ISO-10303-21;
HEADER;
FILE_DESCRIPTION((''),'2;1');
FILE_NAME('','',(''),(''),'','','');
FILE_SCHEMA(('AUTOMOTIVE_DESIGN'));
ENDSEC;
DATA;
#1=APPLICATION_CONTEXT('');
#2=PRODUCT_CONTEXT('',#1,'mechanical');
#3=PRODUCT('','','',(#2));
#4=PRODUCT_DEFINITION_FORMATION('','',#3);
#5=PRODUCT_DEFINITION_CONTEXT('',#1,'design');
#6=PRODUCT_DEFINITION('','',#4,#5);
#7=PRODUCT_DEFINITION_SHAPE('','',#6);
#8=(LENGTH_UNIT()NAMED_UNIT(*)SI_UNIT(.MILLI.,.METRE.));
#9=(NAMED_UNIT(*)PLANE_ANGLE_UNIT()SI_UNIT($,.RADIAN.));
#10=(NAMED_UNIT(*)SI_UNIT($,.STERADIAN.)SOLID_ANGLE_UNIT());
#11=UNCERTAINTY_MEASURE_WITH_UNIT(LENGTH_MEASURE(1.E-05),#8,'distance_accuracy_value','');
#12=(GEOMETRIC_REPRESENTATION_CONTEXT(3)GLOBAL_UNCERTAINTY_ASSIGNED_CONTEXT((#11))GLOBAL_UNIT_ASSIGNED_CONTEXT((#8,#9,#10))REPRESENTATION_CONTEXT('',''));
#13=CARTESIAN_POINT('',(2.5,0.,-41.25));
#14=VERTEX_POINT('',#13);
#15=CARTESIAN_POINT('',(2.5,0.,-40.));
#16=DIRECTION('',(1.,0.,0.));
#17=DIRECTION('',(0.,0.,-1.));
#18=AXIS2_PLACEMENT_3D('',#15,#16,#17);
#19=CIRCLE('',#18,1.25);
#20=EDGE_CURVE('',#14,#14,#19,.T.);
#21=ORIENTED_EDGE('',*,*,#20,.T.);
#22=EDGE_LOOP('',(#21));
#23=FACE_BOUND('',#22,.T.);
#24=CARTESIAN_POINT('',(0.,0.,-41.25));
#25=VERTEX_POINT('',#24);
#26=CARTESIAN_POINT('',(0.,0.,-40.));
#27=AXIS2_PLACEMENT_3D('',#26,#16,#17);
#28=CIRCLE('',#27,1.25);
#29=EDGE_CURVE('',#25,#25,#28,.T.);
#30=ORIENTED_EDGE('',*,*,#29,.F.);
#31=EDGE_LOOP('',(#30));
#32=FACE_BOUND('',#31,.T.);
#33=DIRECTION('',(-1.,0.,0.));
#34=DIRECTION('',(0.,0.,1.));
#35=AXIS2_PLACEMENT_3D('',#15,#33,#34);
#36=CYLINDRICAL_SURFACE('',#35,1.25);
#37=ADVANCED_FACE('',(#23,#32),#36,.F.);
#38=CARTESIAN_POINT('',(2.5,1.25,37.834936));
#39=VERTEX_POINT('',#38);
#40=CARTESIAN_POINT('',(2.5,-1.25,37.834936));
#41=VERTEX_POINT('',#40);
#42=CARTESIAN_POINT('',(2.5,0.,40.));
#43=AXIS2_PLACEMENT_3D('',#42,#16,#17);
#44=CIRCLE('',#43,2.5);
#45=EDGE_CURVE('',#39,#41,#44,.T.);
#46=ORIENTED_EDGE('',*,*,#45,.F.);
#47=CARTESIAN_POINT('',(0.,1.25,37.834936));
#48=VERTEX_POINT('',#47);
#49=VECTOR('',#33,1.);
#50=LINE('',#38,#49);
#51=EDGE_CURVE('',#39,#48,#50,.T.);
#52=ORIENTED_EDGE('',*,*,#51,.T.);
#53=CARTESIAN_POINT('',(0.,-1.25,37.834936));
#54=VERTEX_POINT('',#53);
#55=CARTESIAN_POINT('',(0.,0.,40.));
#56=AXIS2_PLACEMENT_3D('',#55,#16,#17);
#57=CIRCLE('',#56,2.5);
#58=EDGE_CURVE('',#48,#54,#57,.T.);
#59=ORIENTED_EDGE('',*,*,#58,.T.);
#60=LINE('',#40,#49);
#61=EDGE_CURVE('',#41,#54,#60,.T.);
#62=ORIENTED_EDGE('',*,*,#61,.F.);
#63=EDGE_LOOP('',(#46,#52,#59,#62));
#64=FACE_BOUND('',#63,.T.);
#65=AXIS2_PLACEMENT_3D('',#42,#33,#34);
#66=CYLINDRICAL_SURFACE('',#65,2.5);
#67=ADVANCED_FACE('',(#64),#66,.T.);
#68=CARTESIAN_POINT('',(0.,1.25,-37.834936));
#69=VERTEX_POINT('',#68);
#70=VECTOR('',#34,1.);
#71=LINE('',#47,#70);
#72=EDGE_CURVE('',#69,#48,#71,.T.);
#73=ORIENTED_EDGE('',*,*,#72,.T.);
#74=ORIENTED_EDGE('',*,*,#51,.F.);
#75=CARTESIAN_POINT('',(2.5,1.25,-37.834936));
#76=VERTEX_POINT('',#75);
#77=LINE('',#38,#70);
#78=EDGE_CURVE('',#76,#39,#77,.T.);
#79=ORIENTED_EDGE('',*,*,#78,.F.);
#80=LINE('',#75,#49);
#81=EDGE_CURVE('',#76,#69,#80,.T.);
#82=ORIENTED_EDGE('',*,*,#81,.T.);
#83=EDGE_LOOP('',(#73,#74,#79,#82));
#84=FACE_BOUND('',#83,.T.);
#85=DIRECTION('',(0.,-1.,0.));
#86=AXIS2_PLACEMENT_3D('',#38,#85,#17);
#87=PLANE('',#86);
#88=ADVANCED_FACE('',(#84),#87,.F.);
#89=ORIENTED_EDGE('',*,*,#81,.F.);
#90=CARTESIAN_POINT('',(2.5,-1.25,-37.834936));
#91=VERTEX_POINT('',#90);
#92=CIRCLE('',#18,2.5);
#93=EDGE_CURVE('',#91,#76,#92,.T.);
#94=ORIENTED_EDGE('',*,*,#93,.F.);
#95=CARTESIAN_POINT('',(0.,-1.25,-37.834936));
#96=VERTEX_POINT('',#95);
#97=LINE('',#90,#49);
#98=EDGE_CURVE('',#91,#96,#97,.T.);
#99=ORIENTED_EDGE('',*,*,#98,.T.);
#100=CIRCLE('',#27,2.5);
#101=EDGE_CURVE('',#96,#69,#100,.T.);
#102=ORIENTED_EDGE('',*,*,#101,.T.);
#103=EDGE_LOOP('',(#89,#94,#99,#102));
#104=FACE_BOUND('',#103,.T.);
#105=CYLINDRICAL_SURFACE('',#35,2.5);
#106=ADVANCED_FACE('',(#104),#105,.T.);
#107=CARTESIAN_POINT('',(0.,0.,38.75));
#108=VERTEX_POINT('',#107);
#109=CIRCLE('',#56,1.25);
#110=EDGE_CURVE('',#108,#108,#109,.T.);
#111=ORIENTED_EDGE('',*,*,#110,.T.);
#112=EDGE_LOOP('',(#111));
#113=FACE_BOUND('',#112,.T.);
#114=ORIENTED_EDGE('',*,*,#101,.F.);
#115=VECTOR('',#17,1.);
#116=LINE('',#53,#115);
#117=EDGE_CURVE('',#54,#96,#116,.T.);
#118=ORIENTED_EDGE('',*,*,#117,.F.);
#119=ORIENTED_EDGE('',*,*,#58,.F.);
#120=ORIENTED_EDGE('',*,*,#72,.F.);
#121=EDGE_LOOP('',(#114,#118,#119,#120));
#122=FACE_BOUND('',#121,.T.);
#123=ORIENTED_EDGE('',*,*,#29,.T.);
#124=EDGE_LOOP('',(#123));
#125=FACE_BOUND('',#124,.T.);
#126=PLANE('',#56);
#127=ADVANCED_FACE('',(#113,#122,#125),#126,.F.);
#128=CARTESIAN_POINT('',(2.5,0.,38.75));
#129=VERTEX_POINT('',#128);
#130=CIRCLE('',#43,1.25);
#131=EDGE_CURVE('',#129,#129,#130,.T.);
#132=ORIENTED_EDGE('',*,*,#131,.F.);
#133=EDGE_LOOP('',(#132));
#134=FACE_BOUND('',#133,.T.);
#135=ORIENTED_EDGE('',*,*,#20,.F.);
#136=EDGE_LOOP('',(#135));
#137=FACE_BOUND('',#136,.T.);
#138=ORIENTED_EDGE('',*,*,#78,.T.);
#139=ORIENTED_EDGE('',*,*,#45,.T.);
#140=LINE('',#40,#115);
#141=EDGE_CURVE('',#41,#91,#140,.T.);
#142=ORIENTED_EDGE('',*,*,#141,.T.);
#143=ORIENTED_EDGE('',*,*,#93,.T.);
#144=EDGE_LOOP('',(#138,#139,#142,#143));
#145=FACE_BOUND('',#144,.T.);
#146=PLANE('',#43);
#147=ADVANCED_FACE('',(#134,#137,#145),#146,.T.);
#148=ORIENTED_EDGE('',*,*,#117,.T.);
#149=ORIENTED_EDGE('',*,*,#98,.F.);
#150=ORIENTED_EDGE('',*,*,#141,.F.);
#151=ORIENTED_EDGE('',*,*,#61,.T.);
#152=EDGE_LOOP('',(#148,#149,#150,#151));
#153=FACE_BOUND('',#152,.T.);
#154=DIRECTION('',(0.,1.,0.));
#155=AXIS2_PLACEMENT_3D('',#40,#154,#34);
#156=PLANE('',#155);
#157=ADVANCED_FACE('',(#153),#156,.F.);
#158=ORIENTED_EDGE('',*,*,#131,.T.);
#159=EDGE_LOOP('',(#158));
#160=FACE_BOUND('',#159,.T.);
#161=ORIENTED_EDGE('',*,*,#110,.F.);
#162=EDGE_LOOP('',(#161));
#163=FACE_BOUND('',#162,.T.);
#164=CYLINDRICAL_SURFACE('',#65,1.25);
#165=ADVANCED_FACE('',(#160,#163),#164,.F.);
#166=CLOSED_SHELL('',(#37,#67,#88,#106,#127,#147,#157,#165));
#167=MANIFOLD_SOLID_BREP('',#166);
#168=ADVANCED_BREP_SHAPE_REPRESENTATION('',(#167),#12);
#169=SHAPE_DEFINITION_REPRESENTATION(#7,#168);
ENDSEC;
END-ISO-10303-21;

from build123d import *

# Parameters (mm, degrees)
SKETCH_1_R      = 1.25
EXTRUDE_1_DEPTH = 2.5


with BuildPart() as part:
    # 스케치1 → 보스-돌출1 (new body)
    with BuildSketch(Plane(origin=(0, 0, 0), x_dir=(0, 0, -1), z_dir=(1, 0, 0))):
        with BuildLine():
            Line((-37.834936491, 1.25), (37.834936491, 1.25))
            ThreePointArc((37.834936491, 1.25), (42.5, 0), (37.834936491, -1.25))
            Line((37.834936491, -1.25), (-37.834936491, -1.25))
            ThreePointArc((-37.834936491, -1.25), (-42.5, 0), (-37.834936491, 1.25))
        make_face()
        with Locations((-40, 0)):
            Circle(SKETCH_1_R, mode=Mode.SUBTRACT)
        with Locations((40, 0)):
            Circle(SKETCH_1_R, mode=Mode.SUBTRACT)
    extrude(amount=EXTRUDE_1_DEPTH)


solid = part.part
